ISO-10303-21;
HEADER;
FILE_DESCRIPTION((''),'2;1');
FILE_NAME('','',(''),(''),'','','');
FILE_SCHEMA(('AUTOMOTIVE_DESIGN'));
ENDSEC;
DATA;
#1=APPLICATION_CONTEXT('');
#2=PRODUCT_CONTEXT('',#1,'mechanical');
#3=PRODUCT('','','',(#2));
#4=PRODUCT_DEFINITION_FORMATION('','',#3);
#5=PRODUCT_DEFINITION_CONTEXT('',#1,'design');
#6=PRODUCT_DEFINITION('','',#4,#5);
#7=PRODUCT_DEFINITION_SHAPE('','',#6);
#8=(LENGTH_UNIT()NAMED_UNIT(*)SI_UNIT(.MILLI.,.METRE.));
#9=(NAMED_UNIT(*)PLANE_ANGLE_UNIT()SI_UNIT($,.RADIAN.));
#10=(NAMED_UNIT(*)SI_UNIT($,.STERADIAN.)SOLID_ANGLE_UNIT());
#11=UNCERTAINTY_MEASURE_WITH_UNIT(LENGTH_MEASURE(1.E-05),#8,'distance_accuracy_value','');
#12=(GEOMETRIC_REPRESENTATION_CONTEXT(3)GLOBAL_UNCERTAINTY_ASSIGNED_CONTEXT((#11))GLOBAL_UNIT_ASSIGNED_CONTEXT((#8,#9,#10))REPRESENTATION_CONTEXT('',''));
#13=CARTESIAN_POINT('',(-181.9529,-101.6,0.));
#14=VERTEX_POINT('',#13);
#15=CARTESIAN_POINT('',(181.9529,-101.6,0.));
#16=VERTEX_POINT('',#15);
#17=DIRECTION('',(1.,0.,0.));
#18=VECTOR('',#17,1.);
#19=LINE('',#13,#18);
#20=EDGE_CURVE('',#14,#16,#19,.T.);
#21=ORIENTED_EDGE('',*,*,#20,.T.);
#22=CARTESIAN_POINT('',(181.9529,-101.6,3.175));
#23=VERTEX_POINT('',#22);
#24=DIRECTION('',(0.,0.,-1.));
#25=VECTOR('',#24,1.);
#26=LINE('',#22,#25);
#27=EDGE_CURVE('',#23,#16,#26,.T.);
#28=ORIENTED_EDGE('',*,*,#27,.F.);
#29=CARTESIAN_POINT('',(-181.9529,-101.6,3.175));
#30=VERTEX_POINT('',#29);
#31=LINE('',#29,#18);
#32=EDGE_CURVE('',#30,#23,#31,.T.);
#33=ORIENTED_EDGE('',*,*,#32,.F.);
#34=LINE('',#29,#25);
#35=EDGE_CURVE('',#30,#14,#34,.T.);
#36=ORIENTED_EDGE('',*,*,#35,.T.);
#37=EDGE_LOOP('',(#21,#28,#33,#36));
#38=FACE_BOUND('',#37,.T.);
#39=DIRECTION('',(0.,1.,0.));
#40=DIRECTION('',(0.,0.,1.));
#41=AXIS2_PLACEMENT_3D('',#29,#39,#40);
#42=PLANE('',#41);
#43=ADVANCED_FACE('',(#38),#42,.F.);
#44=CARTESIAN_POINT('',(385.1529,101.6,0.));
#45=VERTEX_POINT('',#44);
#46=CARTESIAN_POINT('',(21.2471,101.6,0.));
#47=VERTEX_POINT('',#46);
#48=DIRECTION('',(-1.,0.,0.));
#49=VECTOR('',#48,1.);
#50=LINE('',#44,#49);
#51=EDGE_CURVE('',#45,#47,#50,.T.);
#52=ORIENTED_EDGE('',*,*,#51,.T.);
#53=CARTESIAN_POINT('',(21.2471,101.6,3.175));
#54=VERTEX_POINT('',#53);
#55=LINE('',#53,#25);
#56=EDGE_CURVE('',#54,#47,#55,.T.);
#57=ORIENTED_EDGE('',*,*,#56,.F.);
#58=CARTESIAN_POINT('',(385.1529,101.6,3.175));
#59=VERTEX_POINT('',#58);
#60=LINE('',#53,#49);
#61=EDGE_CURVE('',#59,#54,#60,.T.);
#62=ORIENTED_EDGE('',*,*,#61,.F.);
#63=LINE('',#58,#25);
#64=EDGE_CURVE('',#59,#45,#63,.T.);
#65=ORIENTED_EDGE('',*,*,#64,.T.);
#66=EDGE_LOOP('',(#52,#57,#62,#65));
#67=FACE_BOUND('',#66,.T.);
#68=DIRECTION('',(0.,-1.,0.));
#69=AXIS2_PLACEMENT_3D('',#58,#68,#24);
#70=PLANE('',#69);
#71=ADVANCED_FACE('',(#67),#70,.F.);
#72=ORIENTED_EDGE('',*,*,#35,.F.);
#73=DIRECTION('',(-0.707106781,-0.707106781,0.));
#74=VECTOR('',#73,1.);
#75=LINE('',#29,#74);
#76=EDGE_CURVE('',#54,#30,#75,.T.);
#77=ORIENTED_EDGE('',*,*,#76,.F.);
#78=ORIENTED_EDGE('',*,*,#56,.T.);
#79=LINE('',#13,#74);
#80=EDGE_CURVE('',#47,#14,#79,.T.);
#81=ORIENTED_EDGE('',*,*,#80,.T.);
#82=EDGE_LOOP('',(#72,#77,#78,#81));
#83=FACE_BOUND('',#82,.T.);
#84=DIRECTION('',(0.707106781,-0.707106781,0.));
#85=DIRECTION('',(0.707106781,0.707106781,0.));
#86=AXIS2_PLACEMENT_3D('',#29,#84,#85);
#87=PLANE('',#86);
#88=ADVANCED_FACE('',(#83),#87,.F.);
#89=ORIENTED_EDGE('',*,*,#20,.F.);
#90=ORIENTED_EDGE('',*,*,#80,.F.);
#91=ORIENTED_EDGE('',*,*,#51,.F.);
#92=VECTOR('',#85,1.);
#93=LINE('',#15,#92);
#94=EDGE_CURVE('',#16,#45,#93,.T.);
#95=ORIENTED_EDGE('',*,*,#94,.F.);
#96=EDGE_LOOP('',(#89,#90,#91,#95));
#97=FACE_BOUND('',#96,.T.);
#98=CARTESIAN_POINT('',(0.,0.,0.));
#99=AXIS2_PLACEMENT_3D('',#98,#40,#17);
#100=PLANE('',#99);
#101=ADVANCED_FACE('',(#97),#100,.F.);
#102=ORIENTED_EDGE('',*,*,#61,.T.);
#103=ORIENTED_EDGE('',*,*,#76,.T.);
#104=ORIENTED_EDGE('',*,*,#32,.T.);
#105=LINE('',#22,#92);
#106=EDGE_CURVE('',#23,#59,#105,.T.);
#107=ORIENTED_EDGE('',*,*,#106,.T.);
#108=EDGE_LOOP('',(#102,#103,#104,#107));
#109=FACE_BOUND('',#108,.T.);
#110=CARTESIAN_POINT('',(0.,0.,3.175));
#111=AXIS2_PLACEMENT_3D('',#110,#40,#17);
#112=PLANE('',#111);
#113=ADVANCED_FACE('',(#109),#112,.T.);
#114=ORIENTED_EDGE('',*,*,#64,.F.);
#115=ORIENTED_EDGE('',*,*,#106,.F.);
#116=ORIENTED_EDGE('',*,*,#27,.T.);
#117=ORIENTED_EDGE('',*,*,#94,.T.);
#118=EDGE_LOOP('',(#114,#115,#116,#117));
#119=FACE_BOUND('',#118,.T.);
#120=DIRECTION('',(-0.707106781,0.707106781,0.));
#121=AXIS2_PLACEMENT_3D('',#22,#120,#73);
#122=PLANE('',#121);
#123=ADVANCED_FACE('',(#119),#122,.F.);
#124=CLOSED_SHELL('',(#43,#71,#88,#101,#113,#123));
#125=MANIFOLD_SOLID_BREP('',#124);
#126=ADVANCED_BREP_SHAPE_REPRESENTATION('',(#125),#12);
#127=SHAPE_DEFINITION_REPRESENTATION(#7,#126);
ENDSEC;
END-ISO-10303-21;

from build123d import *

# Parameters (mm, degrees)
BOSS_EXTRUDE1_DEPTH = 3.175


with BuildPart() as part:
    # Sketch1 → Boss-Extrude1 (new body)
    with BuildSketch(Plane.XY):
        Polygon((181.9529, -101.6), (385.1529, 101.6), (181.9529, 101.6), (21.2471, 101.6), (-181.9529, -101.6), align=None)
    extrude(amount=BOSS_EXTRUDE1_DEPTH)


solid = part.part
